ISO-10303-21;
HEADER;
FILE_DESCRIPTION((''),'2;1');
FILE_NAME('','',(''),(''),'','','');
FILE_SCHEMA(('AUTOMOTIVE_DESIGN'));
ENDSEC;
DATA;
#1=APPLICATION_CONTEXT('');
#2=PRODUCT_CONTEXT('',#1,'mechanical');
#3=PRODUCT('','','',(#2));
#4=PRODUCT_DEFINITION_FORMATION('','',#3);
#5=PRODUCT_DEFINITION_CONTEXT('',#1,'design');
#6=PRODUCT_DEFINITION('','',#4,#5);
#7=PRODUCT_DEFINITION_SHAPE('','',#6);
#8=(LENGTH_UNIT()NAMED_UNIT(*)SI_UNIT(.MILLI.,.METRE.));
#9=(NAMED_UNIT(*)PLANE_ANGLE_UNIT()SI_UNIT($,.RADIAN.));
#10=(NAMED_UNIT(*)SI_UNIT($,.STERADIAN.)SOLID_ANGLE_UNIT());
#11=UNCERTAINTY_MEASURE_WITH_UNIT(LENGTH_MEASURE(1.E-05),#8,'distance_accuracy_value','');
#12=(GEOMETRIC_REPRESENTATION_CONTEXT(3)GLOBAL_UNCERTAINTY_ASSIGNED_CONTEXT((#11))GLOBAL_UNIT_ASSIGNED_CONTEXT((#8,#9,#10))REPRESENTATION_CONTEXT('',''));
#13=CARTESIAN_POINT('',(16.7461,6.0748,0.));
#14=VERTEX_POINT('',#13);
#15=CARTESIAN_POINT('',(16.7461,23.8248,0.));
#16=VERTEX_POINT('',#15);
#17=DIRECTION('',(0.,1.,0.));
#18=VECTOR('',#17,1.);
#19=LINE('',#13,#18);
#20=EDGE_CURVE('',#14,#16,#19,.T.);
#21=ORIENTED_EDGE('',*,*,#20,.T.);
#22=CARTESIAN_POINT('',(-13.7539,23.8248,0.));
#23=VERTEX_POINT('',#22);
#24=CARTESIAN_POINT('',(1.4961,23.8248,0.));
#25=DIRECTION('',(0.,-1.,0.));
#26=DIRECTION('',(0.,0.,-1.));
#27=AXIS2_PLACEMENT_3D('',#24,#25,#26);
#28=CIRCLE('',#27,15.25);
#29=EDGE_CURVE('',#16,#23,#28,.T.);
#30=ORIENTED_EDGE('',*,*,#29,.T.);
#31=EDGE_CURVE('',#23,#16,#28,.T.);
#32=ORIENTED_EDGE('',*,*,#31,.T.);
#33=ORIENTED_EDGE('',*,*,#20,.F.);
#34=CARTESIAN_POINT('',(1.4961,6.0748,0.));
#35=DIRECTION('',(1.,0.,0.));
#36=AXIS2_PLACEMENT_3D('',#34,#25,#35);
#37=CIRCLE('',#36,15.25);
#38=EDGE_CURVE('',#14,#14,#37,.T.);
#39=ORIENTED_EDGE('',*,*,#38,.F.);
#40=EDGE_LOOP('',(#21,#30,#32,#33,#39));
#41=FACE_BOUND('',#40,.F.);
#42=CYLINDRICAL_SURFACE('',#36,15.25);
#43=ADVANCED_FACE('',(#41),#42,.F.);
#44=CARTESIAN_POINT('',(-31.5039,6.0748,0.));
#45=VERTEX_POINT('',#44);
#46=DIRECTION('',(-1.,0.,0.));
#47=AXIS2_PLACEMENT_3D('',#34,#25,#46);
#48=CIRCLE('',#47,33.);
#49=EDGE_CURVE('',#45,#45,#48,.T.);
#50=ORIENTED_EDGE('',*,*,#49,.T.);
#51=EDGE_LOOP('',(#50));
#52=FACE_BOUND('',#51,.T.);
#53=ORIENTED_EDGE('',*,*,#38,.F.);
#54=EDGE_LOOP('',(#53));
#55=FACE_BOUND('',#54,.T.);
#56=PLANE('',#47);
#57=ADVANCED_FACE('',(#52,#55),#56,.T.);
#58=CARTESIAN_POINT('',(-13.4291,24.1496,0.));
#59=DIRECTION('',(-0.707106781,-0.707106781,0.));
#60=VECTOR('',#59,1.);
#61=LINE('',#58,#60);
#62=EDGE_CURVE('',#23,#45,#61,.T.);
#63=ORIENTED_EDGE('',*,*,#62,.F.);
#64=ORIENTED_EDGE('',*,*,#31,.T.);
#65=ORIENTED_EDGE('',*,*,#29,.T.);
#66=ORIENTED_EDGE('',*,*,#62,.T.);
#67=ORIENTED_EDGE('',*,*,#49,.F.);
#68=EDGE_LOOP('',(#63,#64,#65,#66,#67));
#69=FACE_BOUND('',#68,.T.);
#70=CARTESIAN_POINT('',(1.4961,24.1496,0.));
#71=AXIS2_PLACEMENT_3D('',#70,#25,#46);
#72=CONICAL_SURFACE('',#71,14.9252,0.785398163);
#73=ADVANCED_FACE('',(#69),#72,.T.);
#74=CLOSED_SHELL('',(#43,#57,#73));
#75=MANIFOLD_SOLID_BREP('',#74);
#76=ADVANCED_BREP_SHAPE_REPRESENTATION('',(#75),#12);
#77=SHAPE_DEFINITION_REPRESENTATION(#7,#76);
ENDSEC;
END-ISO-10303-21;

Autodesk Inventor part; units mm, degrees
ref_plane "YZ Plane" through (0, 0, 0) normal (1, 0, 0) x (0, 1, 0)
ref_plane "XZ Plane" through (0, 0, 0) normal (0, 1, 0) x (-1, 0, 0)
ref_plane "XY Plane" through (0, 0, 0) normal (0, 0, 1) x (1, 0, 0)
sketch "Szkic1" plane through (0, 0, 0) normal (0, 0, 1) x (1, 0, 0)
  point P0 (0, 0)
sketch "Szkic2" plane through (0, 0, 0) normal (0, 0, 1) x (1, 0, 0)
  line L0 (-13.5416, 0) -> (-13.4291, 0)
  line L1 (1.4961, 41.2359) -> (1.4961, -21.0278)
  line L2 (-13.4291, 24.1496) -> (-31.5039, 6.0748)
  line L3 (-13.4291, 0) -> (0, 0)
  line L4 (-13.4291, 24.1496) -> (-13.4291, 6.0748)
  line L5 (-24.5039, 13.0748) -> (-24.5039, 6.0748)
  line L6 (-31.5039, 6.0748) -> (-13.4291, 6.0748)
  dimension "d1" = 52
  dimension "d2" = 45
  dimension "d3" = 29.8504
  dimension "d6" = 7
  dimension "d7" = 7
  dimension "d8" = 18.0748
revolve "Obrót1" add sketch "Szkic2" angle 360 about axis through (1.4961, 41.2359, 0) along (0, -1, 0)
sketch "Szkic3" plane through (1.4961, 6.0748, 0) normal (0, -1, 0) x (1, 0, 0)
  circle A0 centre (0, 0) radius 14.9252 projected
  circle A1 centre (0, 0) radius 33 projected
  circle A2 centre (0, 0) radius 15.25
  point P0 (-1.4961, 0)
  dimension "d9" = 30.5
extrude "Wyciągnięcie proste1" cut sketch "Szkic3" against normal through all contours A0 | A2
properties part number "stożek"
